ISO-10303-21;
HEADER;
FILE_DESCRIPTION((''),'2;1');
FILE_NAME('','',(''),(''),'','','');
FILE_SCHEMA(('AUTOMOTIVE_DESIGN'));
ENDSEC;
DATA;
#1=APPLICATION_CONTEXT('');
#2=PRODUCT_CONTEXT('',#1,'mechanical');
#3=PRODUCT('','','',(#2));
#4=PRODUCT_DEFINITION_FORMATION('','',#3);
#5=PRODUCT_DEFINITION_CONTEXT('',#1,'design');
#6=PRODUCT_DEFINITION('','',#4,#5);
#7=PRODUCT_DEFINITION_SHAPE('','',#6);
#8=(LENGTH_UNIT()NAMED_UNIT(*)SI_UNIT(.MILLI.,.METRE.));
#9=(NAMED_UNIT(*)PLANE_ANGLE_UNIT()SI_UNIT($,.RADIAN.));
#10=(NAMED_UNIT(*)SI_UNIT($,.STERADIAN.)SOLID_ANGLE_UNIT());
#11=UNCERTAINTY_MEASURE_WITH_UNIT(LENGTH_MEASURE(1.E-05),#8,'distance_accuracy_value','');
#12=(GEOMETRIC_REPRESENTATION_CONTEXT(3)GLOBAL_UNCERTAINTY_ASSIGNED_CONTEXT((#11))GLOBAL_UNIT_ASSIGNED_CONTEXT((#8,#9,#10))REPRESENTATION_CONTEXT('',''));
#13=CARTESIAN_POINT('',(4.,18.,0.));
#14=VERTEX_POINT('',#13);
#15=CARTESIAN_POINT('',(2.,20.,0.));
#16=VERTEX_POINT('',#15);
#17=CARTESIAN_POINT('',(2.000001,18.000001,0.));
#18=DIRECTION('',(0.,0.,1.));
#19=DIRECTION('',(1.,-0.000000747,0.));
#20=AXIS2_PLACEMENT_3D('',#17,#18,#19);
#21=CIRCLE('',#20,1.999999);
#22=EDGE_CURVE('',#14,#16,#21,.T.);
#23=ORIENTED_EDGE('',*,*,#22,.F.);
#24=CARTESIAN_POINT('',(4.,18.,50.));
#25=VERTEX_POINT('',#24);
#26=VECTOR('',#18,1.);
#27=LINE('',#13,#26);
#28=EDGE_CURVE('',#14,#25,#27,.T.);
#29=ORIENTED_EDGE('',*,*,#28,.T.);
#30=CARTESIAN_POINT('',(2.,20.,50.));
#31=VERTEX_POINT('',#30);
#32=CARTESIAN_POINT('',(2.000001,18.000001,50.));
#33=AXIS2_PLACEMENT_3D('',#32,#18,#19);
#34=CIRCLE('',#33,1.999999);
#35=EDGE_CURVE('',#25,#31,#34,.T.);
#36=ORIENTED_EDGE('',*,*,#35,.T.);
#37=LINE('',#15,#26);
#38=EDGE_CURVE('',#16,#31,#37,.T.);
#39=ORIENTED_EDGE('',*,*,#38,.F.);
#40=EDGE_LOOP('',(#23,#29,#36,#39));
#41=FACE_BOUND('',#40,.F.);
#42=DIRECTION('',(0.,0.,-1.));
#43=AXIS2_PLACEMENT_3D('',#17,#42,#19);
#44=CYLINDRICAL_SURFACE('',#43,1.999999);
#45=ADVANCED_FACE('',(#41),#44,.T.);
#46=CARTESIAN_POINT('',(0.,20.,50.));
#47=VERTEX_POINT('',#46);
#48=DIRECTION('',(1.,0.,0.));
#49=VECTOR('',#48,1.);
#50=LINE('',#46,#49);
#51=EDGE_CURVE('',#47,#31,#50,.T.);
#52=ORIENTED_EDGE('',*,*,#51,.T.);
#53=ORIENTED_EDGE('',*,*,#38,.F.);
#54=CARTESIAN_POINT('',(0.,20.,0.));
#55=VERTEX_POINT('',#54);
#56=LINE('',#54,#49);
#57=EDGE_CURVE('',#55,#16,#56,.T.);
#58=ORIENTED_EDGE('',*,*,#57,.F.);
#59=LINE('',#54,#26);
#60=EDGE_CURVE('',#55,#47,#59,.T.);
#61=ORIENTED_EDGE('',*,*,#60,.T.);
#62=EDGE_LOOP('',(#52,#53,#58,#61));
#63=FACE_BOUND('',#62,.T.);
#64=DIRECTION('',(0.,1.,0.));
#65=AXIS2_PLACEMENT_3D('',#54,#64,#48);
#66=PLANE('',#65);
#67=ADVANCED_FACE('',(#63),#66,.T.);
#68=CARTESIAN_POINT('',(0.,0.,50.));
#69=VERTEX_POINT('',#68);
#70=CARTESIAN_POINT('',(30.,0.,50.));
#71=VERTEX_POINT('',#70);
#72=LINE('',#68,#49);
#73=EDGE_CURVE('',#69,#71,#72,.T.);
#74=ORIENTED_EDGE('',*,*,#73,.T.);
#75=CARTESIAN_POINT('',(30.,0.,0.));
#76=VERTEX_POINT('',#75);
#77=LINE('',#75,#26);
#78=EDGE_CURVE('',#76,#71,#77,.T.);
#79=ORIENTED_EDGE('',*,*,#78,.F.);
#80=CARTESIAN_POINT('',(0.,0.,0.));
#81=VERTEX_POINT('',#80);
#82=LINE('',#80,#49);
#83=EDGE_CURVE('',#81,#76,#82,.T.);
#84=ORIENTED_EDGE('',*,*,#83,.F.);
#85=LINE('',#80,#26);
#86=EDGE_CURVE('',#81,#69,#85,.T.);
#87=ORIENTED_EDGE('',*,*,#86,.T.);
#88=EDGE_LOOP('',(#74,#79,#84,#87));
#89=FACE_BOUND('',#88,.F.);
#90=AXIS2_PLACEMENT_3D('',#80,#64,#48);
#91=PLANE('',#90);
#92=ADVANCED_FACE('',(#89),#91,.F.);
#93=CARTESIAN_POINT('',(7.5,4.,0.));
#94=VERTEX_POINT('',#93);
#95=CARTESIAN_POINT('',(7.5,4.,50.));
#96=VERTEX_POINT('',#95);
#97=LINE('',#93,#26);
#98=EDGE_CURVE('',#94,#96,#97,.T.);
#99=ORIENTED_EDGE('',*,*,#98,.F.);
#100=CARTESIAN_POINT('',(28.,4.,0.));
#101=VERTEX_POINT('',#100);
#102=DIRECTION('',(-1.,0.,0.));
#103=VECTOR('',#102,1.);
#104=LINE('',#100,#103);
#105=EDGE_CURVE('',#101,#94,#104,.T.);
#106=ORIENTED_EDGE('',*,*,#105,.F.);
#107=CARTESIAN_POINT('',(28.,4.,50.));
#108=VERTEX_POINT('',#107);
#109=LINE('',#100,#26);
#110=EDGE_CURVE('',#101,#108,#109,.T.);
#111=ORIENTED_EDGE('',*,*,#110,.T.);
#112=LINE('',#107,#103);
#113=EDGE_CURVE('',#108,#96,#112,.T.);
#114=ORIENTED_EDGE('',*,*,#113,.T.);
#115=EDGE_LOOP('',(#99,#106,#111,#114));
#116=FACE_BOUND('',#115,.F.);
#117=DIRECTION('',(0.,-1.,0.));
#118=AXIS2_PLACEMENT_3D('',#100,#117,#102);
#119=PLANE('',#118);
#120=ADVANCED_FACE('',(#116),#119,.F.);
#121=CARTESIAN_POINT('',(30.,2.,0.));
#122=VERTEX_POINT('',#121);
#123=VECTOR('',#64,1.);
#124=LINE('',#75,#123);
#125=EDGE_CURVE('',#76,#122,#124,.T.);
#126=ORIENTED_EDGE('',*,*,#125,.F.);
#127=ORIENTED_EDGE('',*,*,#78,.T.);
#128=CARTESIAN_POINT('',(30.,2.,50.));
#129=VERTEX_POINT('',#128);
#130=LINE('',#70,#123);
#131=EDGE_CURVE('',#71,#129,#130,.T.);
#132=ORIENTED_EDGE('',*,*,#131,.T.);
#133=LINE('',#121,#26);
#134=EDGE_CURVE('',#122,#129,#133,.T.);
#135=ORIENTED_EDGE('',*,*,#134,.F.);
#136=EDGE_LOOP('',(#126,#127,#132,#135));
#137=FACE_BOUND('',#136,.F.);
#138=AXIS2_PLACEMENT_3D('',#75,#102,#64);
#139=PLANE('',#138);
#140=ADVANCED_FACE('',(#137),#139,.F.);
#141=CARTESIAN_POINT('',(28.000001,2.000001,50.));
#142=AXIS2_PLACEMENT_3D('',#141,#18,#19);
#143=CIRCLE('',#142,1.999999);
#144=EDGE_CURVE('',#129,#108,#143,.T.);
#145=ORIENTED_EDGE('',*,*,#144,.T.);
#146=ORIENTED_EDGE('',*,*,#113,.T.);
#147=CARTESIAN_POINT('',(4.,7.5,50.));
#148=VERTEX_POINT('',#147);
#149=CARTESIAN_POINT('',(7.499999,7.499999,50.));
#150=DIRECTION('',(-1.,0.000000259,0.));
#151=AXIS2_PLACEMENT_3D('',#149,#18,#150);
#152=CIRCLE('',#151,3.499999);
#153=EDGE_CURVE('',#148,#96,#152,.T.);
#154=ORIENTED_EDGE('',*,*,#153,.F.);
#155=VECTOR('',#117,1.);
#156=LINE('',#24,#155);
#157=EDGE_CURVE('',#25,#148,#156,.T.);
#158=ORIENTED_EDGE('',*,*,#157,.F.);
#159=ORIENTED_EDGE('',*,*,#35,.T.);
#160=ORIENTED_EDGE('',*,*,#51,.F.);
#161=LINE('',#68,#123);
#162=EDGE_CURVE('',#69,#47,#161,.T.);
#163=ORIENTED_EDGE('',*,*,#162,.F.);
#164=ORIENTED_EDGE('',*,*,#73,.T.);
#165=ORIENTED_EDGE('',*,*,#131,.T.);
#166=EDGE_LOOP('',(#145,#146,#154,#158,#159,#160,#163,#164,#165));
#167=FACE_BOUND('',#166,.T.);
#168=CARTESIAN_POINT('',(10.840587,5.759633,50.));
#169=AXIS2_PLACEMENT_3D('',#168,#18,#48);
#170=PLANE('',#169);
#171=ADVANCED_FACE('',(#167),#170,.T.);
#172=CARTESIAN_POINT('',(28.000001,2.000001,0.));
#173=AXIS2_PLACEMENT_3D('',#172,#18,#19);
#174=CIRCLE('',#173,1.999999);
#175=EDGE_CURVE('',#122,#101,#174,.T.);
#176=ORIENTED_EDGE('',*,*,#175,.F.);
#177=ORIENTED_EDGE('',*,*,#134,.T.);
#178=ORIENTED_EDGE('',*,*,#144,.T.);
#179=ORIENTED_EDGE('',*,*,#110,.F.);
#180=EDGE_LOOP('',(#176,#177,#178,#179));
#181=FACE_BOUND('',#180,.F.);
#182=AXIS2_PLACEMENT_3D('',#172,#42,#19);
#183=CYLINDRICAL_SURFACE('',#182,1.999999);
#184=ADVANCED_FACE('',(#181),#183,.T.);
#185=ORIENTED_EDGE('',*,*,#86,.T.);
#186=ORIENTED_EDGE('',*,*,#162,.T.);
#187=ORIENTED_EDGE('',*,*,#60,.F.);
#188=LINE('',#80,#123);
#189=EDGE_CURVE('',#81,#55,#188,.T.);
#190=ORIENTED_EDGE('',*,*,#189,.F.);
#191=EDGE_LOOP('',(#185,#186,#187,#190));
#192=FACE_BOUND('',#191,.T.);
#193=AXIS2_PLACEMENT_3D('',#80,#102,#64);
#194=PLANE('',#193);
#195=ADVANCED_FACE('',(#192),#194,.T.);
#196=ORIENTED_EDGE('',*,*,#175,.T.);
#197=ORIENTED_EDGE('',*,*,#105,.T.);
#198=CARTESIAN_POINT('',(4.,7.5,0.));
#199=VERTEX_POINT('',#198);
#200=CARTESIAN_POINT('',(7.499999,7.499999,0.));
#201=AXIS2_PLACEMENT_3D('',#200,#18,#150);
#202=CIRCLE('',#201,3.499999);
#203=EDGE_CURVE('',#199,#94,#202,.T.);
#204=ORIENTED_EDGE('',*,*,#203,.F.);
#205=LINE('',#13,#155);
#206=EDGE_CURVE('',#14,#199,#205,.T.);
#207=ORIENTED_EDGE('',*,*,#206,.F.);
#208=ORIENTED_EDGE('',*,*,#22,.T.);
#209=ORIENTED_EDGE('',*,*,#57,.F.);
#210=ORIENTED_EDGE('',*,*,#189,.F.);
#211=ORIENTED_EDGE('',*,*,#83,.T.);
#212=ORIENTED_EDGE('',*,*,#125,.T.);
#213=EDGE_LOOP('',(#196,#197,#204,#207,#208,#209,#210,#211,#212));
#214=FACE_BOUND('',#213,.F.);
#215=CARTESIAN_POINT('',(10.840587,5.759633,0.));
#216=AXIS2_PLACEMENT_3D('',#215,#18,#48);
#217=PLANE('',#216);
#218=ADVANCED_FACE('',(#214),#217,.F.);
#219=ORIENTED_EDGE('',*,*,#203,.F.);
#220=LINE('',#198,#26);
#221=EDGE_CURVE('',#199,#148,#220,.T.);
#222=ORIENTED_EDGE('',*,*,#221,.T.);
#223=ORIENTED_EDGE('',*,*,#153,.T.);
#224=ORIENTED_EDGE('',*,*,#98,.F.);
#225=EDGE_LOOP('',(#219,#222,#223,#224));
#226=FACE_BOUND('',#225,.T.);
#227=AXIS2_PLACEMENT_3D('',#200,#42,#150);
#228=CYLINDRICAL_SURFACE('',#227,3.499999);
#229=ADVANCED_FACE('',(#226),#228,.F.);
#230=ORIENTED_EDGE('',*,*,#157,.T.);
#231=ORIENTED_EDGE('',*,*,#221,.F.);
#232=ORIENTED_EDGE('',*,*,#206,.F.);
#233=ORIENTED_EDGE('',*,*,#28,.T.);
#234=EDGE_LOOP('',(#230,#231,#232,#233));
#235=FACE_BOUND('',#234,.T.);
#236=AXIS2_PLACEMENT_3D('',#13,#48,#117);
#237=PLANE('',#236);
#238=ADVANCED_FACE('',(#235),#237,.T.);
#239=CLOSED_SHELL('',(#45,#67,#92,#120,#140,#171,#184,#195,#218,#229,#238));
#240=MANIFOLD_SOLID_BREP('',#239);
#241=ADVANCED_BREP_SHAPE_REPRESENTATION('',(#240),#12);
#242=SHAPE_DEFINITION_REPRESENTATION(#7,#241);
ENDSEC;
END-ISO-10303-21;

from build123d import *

# Parameters (mm, degrees)
EXTRUDE_DEPTH = 50


with BuildPart() as part:
    # Sketch → Extrude (new body)
    with BuildSketch(Plane.XY):
        with BuildLine():
            Line((0, 0), (30, 0))
            Line((30, 0), (30, 2))
            ThreePointArc((30, 2), (29.414214, 3.414214), (28, 4))
            Line((28, 4), (7.5, 4))
            ThreePointArc((4, 7.5), (5.025126, 5.025126), (7.5, 4))
            Line((4, 18), (4, 7.5))
            ThreePointArc((4, 18), (3.414214, 19.414214), (2, 20))
            Line((0, 20), (2, 20))
            Line((0, 0), (0, 20))
        make_face()
    extrude(amount=EXTRUDE_DEPTH)


solid = part.part
